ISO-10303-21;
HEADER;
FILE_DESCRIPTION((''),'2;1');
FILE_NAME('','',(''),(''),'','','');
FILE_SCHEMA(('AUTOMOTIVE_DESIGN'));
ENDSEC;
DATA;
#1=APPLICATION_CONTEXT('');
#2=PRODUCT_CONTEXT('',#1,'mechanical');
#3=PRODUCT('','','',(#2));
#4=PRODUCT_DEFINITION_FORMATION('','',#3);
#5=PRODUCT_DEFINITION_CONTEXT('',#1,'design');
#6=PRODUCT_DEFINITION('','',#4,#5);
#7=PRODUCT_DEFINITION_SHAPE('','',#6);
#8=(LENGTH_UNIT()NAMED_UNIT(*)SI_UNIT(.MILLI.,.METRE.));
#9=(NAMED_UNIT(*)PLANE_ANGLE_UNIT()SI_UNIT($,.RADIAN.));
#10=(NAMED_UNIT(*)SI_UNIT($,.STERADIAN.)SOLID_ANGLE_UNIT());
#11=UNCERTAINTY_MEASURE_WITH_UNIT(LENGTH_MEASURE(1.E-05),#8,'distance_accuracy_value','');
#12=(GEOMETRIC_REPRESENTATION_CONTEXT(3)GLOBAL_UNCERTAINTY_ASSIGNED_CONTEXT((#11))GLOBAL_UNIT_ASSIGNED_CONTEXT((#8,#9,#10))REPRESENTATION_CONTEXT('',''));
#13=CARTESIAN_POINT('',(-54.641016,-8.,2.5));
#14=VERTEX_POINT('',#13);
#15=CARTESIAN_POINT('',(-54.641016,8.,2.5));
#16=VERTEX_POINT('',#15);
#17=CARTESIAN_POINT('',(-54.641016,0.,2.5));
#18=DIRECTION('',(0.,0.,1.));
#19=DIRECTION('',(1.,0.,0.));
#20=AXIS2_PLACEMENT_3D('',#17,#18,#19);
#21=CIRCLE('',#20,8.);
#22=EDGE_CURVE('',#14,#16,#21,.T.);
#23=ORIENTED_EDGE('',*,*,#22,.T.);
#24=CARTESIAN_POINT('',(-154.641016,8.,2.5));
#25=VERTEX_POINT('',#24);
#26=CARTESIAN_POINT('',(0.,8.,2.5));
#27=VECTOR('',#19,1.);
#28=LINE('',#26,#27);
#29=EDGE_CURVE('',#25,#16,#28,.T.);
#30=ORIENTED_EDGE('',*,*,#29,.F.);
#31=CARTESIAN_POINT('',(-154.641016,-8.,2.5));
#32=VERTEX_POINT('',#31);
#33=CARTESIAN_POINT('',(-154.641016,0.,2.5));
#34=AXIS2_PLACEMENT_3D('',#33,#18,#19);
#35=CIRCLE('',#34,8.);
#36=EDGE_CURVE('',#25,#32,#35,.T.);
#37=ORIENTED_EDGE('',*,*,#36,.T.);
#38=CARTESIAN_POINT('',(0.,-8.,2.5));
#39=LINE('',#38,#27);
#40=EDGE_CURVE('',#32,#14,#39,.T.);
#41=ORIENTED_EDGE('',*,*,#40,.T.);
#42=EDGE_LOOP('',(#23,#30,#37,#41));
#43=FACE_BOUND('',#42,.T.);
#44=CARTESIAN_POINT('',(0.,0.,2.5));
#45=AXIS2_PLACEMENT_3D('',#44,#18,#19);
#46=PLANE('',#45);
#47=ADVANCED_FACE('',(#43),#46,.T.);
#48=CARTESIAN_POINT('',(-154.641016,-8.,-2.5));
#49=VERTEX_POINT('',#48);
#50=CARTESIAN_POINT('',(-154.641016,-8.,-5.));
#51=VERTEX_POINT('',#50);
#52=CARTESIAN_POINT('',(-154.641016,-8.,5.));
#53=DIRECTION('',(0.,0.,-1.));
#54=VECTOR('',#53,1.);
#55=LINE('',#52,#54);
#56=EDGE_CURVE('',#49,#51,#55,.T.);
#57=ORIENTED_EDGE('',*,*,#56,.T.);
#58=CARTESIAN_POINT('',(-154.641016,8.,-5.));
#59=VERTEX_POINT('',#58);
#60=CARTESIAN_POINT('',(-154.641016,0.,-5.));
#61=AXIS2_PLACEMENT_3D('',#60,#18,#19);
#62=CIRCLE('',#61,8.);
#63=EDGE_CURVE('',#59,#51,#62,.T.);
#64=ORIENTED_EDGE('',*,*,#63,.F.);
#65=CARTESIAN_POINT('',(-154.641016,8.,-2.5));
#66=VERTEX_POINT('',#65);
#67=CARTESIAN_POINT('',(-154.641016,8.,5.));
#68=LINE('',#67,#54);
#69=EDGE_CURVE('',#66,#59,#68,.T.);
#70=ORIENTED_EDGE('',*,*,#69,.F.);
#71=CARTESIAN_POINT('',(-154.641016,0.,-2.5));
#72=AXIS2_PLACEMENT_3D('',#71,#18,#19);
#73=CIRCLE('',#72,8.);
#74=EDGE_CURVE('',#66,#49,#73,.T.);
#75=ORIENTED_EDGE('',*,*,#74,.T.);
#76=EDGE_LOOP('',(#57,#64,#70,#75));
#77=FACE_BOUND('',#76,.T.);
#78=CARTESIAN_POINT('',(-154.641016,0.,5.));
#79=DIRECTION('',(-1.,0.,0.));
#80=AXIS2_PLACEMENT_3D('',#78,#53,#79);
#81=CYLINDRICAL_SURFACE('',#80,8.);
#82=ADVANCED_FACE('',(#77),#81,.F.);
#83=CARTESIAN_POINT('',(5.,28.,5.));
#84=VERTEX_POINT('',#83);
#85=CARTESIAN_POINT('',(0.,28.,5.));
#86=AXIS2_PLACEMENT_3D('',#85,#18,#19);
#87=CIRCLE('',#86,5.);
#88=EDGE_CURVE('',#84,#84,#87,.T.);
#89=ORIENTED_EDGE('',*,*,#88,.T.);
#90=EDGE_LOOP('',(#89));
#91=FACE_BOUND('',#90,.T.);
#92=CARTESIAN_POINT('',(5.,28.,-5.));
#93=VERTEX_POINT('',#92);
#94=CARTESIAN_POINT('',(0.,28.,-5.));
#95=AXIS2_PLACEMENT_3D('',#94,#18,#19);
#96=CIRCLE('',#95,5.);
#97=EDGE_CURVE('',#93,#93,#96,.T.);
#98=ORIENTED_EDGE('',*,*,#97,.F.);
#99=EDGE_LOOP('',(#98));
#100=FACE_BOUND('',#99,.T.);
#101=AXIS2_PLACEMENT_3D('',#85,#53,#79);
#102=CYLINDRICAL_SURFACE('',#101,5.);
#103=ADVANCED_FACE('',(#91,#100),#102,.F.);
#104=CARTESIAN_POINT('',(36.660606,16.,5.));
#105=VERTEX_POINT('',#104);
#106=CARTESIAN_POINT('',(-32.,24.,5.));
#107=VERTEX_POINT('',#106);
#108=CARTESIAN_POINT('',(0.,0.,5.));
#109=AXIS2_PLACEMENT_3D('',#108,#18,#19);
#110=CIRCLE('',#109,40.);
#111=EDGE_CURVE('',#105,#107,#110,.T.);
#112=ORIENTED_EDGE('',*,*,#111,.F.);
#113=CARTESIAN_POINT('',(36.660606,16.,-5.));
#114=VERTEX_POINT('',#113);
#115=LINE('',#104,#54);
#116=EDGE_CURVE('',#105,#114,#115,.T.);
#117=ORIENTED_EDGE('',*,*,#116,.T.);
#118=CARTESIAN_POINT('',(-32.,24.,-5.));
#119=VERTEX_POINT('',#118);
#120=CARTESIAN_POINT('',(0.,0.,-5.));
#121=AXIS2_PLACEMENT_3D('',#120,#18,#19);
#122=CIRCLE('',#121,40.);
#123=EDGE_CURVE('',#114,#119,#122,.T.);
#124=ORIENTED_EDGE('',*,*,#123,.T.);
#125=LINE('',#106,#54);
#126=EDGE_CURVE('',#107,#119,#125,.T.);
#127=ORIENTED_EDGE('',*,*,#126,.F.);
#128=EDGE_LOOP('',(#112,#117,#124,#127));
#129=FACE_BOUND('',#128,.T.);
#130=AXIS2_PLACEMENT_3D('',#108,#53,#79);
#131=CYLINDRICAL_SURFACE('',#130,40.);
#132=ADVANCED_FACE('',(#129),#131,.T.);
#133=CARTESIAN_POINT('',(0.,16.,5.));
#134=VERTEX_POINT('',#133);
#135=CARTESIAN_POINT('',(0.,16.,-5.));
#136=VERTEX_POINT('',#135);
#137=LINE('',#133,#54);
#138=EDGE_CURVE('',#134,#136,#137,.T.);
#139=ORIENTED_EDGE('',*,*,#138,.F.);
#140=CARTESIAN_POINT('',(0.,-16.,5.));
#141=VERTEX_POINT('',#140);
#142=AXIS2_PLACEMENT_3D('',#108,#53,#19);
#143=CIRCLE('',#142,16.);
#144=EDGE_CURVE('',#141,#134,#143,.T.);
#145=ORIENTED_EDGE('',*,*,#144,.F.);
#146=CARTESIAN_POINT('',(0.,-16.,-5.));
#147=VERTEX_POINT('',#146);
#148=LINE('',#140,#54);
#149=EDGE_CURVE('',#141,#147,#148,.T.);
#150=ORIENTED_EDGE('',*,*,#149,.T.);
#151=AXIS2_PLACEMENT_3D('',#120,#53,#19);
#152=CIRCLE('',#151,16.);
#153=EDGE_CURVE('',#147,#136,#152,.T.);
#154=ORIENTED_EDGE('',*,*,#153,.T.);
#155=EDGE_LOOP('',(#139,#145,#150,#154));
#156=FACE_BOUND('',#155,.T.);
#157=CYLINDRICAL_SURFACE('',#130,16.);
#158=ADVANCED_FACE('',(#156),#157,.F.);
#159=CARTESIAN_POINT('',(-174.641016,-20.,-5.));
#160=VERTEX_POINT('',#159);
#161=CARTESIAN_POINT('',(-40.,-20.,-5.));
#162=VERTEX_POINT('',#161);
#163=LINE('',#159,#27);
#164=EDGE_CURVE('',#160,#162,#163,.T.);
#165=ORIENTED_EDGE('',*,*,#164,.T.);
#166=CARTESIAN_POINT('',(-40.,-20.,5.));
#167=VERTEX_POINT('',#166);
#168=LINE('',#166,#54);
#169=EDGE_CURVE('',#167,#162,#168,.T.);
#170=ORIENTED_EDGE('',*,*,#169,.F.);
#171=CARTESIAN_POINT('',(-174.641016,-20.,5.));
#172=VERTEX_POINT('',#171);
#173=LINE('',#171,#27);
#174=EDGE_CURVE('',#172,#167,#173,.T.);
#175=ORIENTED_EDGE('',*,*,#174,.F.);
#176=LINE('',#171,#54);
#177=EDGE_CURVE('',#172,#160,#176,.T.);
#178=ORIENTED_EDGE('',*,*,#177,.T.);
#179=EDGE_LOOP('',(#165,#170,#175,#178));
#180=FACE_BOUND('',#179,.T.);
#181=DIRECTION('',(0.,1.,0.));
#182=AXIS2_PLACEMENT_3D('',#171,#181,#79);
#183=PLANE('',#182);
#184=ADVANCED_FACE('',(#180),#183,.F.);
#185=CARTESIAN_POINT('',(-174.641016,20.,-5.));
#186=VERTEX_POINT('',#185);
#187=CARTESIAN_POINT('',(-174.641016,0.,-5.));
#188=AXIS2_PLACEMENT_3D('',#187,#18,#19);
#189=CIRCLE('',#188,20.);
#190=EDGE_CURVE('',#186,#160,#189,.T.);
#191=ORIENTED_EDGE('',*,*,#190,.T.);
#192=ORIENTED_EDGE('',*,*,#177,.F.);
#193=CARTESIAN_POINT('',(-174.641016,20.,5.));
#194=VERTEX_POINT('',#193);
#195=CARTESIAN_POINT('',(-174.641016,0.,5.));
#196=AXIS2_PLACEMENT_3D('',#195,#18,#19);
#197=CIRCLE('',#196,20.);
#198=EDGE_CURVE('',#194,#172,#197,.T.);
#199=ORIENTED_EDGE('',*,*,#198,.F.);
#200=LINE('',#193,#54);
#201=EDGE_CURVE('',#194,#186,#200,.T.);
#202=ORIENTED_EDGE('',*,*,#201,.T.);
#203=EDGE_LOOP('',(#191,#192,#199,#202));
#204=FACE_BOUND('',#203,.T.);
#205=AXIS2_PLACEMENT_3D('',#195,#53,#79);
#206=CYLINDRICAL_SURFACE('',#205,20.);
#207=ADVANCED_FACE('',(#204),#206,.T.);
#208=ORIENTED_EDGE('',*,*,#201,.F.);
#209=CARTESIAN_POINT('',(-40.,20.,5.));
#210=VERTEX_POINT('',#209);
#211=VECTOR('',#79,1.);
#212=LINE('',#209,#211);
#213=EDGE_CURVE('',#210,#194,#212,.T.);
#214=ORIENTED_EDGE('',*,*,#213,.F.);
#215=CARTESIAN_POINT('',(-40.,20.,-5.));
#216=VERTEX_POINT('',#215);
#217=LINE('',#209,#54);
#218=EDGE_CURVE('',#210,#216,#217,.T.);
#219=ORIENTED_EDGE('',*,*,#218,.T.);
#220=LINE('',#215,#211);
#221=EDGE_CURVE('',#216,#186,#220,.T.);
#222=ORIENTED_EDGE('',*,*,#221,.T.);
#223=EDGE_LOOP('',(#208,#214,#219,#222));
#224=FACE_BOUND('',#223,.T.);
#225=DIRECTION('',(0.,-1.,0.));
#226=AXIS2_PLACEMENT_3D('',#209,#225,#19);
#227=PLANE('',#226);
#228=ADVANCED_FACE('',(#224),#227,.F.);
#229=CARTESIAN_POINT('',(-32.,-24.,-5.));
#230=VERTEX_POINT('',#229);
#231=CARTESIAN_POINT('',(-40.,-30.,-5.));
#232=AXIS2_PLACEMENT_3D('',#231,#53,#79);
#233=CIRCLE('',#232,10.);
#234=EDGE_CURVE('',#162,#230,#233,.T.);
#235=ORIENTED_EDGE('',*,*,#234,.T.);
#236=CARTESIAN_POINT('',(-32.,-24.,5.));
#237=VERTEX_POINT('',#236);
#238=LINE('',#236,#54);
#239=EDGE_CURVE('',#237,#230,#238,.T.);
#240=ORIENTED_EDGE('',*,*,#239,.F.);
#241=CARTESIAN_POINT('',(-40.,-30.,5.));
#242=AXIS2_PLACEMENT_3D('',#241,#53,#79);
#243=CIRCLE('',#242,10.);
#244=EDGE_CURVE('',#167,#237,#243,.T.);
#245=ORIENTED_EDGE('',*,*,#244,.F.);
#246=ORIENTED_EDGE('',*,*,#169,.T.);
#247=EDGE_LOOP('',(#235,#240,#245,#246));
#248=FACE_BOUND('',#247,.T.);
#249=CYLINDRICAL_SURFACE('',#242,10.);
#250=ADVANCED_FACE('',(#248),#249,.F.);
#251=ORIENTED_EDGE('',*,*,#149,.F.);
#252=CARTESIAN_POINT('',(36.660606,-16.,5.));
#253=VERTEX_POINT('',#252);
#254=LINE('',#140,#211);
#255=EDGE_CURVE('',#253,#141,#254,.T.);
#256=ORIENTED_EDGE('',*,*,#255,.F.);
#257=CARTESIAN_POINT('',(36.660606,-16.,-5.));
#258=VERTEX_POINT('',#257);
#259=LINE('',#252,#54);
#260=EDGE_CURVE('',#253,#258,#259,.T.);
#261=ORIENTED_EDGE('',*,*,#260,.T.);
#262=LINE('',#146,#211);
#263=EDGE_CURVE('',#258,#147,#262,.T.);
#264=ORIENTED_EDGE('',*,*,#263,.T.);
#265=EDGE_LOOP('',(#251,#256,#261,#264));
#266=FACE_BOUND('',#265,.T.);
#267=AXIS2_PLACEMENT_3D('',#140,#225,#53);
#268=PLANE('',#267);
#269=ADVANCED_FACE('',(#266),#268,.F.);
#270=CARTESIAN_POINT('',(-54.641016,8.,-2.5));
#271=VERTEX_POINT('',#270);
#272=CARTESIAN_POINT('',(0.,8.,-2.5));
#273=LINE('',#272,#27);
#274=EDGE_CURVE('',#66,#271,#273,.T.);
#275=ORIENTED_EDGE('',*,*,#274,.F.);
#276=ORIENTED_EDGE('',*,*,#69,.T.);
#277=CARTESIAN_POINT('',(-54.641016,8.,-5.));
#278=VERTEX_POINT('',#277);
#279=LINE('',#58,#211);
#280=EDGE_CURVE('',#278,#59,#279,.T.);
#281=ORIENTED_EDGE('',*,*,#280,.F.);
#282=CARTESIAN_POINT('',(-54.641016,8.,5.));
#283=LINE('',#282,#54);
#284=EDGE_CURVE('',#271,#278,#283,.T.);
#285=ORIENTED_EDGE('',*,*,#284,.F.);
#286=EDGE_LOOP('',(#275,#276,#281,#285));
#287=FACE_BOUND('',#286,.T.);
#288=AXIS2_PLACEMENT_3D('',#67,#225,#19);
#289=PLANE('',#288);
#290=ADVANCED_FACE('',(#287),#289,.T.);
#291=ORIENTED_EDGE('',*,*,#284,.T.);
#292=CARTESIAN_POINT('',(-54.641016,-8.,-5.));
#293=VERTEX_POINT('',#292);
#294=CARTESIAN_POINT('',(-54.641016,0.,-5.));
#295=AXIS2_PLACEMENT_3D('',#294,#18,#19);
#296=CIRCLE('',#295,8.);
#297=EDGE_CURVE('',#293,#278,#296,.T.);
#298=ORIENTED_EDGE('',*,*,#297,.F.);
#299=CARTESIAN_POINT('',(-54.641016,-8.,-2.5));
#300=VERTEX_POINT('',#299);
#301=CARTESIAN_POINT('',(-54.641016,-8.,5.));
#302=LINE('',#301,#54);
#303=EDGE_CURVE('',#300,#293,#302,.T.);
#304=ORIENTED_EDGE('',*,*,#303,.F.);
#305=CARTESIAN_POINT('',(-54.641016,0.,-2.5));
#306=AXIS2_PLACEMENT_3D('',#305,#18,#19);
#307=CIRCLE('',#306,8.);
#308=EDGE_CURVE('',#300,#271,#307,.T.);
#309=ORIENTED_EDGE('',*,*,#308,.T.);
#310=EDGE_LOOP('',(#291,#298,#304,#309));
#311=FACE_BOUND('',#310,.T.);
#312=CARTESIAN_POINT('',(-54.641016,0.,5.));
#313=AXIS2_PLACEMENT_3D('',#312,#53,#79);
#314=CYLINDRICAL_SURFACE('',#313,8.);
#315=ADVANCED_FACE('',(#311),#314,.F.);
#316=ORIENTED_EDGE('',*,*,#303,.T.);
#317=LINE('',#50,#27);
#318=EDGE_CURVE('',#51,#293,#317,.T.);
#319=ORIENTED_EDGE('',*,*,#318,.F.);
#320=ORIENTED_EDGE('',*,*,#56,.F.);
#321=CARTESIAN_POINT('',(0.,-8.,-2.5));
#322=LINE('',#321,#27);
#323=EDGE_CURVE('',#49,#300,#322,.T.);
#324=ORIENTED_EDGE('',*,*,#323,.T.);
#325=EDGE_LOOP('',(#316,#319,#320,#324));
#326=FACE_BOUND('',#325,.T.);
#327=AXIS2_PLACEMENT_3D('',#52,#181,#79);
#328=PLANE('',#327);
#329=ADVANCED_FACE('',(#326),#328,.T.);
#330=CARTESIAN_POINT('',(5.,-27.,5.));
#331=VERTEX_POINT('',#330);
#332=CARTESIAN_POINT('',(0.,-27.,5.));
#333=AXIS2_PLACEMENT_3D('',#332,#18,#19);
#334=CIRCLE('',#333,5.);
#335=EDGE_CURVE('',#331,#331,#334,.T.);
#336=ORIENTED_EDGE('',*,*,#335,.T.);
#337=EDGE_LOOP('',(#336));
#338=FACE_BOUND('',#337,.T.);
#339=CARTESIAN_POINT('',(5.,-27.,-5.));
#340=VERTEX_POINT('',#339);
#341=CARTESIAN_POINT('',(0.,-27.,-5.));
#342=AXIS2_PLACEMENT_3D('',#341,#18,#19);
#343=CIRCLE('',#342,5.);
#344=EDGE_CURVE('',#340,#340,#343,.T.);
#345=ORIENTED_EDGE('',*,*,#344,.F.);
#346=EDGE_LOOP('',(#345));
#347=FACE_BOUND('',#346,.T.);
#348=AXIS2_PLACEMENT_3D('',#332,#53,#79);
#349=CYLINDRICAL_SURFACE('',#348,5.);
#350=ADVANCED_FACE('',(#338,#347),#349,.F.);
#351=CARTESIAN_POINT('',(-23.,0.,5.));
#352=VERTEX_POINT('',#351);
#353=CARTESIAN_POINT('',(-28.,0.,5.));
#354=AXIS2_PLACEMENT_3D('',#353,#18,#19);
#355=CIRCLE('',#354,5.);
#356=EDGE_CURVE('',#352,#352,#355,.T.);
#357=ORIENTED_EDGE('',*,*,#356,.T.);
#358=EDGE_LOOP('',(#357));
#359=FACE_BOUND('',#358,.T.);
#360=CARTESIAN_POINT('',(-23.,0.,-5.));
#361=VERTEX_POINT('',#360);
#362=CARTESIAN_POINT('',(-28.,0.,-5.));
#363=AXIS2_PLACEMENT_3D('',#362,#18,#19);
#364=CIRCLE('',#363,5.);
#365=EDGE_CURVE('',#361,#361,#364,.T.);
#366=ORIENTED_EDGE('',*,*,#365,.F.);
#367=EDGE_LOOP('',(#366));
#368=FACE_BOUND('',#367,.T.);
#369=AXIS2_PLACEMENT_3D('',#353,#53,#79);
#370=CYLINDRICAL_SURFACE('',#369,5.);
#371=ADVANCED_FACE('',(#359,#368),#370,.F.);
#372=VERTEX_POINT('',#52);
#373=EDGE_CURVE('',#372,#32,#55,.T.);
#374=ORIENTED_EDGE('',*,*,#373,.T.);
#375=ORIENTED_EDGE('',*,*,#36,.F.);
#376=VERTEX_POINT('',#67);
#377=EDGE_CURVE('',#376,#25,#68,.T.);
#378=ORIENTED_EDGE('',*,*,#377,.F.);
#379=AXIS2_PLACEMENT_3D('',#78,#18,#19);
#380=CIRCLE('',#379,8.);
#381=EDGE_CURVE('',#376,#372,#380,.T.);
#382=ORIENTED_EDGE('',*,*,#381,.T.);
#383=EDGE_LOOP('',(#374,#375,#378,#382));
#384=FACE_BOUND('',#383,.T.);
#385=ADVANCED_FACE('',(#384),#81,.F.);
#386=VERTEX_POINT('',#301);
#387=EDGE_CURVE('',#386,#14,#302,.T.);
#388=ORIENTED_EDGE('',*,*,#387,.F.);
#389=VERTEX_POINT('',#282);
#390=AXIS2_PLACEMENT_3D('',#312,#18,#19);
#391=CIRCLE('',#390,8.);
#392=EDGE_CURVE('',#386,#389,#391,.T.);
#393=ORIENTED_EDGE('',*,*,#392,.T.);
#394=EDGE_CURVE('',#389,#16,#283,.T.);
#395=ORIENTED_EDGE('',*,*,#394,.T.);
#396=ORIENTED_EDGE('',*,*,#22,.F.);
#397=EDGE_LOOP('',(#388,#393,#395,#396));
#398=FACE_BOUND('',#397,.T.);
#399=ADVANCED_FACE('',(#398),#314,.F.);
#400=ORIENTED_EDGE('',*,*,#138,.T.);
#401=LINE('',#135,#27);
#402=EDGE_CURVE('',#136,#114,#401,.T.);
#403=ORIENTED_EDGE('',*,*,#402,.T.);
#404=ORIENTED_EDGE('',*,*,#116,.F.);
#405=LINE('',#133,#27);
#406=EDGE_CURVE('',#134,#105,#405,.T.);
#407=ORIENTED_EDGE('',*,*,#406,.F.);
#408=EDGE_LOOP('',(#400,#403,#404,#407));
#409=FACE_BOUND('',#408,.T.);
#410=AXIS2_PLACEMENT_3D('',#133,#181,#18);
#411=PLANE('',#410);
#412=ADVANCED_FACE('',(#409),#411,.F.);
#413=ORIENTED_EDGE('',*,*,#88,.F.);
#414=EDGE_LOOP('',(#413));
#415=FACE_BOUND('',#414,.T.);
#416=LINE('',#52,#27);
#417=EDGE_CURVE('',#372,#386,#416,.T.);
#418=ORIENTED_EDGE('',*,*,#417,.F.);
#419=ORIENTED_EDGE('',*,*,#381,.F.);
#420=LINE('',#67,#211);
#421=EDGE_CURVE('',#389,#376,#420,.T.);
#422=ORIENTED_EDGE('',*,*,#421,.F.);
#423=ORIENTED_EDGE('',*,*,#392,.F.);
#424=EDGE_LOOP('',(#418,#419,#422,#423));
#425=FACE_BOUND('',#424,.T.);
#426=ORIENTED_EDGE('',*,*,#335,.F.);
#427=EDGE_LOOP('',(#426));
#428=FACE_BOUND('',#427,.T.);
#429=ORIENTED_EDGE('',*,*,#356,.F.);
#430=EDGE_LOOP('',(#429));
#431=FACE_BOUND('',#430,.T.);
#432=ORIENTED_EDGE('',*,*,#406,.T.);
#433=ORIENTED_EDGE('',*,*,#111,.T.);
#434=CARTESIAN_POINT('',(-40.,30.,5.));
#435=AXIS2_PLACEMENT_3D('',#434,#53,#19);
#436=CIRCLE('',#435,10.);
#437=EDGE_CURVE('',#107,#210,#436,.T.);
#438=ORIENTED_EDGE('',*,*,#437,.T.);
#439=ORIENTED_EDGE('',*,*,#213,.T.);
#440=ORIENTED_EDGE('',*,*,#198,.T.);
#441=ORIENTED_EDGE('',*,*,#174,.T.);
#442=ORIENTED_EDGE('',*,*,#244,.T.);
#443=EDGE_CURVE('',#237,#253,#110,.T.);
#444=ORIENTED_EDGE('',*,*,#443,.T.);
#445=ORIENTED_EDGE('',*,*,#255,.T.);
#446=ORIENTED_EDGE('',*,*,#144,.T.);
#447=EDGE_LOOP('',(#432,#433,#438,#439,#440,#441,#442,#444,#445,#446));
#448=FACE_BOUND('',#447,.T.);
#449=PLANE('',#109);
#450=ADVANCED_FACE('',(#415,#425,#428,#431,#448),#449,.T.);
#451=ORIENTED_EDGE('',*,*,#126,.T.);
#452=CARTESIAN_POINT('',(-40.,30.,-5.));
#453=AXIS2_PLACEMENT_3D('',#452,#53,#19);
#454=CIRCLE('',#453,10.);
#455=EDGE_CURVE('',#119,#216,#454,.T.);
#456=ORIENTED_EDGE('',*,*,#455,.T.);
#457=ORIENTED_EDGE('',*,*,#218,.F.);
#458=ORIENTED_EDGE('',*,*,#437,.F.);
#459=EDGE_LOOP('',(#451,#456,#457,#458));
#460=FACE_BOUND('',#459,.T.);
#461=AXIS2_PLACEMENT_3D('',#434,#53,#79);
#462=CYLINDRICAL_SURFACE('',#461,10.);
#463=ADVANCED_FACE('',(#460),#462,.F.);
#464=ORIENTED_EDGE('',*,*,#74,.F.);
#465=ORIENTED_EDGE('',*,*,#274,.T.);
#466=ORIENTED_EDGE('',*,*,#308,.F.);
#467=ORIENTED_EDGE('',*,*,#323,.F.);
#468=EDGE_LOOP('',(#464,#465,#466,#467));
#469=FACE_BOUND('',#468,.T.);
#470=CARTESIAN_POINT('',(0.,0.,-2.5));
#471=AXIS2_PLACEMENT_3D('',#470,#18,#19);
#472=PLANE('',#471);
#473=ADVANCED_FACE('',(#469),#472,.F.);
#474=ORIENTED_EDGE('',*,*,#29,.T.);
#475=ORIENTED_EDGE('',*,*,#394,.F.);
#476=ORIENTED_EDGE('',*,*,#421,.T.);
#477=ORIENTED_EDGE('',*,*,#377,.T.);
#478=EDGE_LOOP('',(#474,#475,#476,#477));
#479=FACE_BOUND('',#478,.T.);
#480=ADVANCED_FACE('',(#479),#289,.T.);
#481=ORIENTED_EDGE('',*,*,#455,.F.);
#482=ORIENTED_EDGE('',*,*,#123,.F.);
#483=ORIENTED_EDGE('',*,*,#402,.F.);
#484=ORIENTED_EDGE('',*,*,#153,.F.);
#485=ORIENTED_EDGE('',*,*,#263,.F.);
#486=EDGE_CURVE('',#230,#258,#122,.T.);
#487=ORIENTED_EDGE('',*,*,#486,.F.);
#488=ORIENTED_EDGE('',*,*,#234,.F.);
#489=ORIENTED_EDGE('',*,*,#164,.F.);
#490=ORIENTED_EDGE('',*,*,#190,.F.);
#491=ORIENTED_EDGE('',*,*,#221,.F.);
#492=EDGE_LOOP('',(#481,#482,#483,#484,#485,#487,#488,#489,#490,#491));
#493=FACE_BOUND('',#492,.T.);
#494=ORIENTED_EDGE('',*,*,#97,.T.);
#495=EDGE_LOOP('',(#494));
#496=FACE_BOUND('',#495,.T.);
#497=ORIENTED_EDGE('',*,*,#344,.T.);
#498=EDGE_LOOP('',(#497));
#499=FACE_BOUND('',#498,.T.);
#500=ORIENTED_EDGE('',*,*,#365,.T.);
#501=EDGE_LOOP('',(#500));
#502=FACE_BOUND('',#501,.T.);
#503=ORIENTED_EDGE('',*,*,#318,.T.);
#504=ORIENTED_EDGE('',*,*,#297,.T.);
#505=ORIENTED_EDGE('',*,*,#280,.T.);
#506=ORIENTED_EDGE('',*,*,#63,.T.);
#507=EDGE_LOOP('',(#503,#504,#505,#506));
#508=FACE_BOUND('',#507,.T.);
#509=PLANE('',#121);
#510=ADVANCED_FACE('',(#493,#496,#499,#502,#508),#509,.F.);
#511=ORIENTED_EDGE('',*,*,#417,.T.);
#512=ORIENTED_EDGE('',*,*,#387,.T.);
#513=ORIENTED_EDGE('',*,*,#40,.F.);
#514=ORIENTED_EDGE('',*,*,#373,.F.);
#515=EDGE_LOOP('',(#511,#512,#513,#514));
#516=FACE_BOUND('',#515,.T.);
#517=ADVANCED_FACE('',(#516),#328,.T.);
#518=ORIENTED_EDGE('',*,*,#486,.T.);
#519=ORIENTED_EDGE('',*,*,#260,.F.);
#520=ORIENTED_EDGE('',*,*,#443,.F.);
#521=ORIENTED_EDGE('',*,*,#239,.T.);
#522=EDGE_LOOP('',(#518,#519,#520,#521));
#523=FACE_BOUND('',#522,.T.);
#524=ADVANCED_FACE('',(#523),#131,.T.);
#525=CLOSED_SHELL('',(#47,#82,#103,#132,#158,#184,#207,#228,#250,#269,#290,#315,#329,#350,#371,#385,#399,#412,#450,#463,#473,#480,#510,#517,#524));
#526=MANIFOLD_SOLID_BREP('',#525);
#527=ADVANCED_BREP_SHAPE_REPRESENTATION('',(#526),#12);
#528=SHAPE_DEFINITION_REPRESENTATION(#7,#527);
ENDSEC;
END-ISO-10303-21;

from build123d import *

# Parameters (mm, degrees)
SKETCH1_R           = 5
BOSS_EXTRUDE1_DEPTH = 5
BOSS_EXTRUDE2_DEPTH = 2.5


with BuildPart() as part:
    # Sketch1 → Boss-Extrude1 (new, symmetric)
    with BuildSketch(Plane.XY):
        with BuildLine():
            Line((0, 16), (36.66060556, 16))
            ThreePointArc((36.66060556, 16), (4.629288395, 39.731218065), (-32, 24))
            ThreePointArc((-32, 24), (-35.527864045, 21.05572809), (-40, 20))
            Line((-40, 20), (-174.641016151, 20))
            ThreePointArc((-174.641016151, 20), (-194.641016151, 0), (-174.641016151, -20))
            Line((-174.641016151, -20), (-40, -20))
            ThreePointArc((-40, -20), (-35.527864045, -21.05572809), (-32, -24))
            ThreePointArc((-32, -24), (4.629288395, -39.731218065), (36.66060556, -16))
            Line((36.66060556, -16), (0, -16))
            ThreePointArc((0, -16), (-16, 0), (0, 16))
        make_face()
        with Locations((0, 28)):
            Circle(SKETCH1_R, mode=Mode.SUBTRACT)
        with Locations((0, -27)):
            Circle(SKETCH1_R, mode=Mode.SUBTRACT)
        with Locations((-28, 0)):
            Circle(SKETCH1_R, mode=Mode.SUBTRACT)
        with BuildLine():
            Line((-154.641016151, 8), (-54.641016151, 8))
            ThreePointArc((-54.641016151, 8), (-46.641016151, 0), (-54.641016151, -8))
            Line((-54.641016151, -8), (-154.641016151, -8))
            ThreePointArc((-154.641016151, -8), (-162.641016151, 0), (-154.641016151, 8))
        make_face(mode=Mode.SUBTRACT)
    extrude(amount=BOSS_EXTRUDE1_DEPTH, both=True)

    # Sketch1<2> → Boss-Extrude2 (add, symmetric)
    with BuildSketch(Plane.XY):
        with BuildLine():
            Line((-154.641016151, -8), (-54.641016151, -8))
            ThreePointArc((-54.641016151, -8), (-46.641016151, 0), (-54.641016151, 8))
            Line((-54.641016151, 8), (-154.641016151, 8))
            ThreePointArc((-154.641016151, 8), (-162.641016151, 0), (-154.641016151, -8))
        make_face()
    extrude(amount=BOSS_EXTRUDE2_DEPTH, both=True)


solid = part.part
